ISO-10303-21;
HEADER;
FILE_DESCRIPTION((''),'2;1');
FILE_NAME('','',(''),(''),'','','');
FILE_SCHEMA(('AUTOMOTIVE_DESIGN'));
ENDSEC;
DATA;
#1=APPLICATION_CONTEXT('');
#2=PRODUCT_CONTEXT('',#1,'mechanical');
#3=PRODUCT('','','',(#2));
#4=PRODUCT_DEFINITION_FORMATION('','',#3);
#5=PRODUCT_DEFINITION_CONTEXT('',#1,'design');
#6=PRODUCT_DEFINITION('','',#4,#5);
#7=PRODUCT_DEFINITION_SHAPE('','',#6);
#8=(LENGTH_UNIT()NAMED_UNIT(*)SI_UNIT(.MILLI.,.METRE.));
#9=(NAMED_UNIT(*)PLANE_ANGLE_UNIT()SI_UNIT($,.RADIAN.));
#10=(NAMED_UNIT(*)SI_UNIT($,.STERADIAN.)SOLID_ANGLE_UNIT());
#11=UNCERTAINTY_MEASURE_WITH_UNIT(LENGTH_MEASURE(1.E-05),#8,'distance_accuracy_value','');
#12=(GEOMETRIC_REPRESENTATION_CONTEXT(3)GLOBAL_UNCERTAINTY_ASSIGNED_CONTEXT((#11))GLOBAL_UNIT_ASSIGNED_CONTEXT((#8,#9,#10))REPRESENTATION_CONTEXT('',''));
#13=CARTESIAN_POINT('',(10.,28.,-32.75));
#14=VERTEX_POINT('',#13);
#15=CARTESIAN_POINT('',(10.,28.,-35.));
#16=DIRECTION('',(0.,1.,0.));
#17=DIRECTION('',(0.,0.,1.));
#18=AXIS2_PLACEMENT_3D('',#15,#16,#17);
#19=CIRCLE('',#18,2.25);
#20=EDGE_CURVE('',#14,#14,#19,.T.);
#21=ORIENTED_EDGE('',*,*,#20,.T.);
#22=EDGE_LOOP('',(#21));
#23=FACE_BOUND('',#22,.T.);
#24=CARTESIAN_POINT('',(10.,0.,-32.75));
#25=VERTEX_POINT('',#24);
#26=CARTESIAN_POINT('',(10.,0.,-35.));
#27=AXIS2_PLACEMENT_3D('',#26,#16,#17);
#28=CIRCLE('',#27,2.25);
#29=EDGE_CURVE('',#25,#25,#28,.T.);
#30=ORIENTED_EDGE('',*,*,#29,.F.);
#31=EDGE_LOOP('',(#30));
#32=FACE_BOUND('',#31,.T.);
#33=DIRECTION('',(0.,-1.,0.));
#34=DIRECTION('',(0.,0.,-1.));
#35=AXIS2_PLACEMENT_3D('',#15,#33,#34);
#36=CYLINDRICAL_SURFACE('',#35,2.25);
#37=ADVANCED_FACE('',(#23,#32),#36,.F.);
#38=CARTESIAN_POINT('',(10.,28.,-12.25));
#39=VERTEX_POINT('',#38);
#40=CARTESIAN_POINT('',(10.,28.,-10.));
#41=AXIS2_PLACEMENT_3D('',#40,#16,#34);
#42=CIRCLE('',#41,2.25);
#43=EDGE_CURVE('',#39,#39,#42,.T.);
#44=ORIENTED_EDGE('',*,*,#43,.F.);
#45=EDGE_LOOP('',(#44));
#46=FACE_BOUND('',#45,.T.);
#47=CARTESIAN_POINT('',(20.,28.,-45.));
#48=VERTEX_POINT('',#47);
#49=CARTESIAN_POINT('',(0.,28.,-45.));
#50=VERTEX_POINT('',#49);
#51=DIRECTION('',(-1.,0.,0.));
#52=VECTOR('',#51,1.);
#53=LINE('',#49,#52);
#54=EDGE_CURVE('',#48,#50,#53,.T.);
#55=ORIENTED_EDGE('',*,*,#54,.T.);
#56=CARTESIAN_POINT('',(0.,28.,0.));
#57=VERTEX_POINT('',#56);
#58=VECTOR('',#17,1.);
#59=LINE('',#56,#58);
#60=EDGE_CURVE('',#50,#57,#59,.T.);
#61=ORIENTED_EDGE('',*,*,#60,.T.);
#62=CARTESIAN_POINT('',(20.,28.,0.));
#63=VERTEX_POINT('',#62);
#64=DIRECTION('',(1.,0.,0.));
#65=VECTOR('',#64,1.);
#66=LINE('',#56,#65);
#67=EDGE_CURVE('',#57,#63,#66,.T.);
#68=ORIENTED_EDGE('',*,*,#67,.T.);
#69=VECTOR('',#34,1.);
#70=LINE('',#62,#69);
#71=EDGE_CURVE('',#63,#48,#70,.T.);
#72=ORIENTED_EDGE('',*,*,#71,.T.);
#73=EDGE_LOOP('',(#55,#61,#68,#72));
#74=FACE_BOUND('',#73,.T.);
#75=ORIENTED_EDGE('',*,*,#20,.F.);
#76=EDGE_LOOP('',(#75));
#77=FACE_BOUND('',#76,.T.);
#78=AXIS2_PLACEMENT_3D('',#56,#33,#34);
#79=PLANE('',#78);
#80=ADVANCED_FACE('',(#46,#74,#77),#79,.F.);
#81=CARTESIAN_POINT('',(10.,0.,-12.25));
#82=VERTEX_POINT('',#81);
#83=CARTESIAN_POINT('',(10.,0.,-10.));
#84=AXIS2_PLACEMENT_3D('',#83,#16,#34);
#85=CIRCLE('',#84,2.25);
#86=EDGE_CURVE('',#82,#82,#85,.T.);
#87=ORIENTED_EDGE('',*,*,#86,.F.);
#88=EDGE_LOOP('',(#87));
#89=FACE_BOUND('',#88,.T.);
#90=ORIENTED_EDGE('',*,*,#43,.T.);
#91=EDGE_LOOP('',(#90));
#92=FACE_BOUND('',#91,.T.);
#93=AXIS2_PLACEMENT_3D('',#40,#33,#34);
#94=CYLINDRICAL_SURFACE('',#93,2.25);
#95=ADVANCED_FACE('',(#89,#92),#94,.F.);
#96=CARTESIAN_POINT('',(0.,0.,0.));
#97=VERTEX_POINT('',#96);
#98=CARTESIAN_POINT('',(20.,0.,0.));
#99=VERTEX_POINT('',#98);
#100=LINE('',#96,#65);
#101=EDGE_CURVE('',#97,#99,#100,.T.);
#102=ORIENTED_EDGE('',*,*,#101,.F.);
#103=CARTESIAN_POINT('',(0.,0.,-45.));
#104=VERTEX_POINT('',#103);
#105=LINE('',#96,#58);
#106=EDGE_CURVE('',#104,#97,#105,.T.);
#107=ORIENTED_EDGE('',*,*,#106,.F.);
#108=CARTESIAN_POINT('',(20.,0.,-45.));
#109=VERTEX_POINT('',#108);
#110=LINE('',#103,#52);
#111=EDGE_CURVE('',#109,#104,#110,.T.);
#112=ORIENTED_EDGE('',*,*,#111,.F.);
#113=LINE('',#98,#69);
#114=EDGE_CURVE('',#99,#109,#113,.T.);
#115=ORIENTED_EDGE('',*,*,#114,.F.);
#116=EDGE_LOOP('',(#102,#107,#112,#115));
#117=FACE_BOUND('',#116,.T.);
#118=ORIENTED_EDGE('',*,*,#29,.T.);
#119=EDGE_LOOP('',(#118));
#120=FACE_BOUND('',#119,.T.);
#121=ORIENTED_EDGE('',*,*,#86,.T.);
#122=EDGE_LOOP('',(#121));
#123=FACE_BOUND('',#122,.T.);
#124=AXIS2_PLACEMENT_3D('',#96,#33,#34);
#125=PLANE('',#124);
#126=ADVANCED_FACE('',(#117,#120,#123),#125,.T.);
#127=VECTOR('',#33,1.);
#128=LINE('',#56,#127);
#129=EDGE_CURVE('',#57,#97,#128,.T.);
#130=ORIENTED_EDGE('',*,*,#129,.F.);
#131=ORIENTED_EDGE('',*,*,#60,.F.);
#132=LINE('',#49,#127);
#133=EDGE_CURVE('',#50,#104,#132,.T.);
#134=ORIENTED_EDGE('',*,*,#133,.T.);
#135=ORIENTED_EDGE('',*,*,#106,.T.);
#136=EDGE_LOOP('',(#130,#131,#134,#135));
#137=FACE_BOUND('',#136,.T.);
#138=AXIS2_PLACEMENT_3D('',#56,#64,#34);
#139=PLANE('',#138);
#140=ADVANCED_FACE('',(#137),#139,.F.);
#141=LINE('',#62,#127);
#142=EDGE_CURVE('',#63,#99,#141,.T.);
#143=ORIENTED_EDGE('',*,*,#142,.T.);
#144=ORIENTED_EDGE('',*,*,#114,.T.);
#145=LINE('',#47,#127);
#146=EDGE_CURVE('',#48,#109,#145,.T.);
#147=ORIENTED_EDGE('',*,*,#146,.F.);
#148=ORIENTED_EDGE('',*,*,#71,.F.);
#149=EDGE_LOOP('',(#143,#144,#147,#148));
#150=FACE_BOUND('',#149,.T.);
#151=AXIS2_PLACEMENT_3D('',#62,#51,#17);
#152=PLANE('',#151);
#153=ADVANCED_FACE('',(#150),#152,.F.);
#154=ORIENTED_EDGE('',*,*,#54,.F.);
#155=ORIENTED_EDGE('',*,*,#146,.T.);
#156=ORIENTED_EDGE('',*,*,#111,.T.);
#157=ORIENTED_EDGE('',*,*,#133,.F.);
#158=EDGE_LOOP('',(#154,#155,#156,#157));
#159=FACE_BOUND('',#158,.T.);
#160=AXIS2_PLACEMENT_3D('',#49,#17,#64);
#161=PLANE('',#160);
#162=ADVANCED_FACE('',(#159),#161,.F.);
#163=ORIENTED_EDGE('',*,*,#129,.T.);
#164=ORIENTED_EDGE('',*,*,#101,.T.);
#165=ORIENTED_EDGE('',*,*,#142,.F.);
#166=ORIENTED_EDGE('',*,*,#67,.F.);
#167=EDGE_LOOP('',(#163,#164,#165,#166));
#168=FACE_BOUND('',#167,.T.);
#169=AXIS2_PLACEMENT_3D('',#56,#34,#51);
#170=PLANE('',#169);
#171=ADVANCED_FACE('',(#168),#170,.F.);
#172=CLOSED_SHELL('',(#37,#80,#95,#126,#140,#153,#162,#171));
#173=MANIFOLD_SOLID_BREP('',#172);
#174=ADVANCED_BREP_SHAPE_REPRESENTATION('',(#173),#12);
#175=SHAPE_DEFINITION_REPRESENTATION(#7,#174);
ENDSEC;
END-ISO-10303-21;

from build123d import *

# Parameters (mm, degrees)
SKETCH_1_W      = 20
SKETCH_1_H      = 45
SKETCH_1_R      = 2.25
EXTRUDE_1_DEPTH = 28


with BuildPart() as part:
    # 草图1 → 凸台-拉伸1 (new body)
    with BuildSketch(Plane(origin=(0, 0, 0), x_dir=(1, 0, 0), z_dir=(0, 1, 0))):
        with Locations((10, 22.5)):
            Rectangle(SKETCH_1_W, SKETCH_1_H)
        with Locations(Location((10, 35, 0), (0, 0, 270))):
            Circle(SKETCH_1_R, mode=Mode.SUBTRACT)
        with Locations(Location((10, 10, 0), (0, 0, 90))):
            Circle(SKETCH_1_R, mode=Mode.SUBTRACT)
    extrude(amount=EXTRUDE_1_DEPTH)


solid = part.part
